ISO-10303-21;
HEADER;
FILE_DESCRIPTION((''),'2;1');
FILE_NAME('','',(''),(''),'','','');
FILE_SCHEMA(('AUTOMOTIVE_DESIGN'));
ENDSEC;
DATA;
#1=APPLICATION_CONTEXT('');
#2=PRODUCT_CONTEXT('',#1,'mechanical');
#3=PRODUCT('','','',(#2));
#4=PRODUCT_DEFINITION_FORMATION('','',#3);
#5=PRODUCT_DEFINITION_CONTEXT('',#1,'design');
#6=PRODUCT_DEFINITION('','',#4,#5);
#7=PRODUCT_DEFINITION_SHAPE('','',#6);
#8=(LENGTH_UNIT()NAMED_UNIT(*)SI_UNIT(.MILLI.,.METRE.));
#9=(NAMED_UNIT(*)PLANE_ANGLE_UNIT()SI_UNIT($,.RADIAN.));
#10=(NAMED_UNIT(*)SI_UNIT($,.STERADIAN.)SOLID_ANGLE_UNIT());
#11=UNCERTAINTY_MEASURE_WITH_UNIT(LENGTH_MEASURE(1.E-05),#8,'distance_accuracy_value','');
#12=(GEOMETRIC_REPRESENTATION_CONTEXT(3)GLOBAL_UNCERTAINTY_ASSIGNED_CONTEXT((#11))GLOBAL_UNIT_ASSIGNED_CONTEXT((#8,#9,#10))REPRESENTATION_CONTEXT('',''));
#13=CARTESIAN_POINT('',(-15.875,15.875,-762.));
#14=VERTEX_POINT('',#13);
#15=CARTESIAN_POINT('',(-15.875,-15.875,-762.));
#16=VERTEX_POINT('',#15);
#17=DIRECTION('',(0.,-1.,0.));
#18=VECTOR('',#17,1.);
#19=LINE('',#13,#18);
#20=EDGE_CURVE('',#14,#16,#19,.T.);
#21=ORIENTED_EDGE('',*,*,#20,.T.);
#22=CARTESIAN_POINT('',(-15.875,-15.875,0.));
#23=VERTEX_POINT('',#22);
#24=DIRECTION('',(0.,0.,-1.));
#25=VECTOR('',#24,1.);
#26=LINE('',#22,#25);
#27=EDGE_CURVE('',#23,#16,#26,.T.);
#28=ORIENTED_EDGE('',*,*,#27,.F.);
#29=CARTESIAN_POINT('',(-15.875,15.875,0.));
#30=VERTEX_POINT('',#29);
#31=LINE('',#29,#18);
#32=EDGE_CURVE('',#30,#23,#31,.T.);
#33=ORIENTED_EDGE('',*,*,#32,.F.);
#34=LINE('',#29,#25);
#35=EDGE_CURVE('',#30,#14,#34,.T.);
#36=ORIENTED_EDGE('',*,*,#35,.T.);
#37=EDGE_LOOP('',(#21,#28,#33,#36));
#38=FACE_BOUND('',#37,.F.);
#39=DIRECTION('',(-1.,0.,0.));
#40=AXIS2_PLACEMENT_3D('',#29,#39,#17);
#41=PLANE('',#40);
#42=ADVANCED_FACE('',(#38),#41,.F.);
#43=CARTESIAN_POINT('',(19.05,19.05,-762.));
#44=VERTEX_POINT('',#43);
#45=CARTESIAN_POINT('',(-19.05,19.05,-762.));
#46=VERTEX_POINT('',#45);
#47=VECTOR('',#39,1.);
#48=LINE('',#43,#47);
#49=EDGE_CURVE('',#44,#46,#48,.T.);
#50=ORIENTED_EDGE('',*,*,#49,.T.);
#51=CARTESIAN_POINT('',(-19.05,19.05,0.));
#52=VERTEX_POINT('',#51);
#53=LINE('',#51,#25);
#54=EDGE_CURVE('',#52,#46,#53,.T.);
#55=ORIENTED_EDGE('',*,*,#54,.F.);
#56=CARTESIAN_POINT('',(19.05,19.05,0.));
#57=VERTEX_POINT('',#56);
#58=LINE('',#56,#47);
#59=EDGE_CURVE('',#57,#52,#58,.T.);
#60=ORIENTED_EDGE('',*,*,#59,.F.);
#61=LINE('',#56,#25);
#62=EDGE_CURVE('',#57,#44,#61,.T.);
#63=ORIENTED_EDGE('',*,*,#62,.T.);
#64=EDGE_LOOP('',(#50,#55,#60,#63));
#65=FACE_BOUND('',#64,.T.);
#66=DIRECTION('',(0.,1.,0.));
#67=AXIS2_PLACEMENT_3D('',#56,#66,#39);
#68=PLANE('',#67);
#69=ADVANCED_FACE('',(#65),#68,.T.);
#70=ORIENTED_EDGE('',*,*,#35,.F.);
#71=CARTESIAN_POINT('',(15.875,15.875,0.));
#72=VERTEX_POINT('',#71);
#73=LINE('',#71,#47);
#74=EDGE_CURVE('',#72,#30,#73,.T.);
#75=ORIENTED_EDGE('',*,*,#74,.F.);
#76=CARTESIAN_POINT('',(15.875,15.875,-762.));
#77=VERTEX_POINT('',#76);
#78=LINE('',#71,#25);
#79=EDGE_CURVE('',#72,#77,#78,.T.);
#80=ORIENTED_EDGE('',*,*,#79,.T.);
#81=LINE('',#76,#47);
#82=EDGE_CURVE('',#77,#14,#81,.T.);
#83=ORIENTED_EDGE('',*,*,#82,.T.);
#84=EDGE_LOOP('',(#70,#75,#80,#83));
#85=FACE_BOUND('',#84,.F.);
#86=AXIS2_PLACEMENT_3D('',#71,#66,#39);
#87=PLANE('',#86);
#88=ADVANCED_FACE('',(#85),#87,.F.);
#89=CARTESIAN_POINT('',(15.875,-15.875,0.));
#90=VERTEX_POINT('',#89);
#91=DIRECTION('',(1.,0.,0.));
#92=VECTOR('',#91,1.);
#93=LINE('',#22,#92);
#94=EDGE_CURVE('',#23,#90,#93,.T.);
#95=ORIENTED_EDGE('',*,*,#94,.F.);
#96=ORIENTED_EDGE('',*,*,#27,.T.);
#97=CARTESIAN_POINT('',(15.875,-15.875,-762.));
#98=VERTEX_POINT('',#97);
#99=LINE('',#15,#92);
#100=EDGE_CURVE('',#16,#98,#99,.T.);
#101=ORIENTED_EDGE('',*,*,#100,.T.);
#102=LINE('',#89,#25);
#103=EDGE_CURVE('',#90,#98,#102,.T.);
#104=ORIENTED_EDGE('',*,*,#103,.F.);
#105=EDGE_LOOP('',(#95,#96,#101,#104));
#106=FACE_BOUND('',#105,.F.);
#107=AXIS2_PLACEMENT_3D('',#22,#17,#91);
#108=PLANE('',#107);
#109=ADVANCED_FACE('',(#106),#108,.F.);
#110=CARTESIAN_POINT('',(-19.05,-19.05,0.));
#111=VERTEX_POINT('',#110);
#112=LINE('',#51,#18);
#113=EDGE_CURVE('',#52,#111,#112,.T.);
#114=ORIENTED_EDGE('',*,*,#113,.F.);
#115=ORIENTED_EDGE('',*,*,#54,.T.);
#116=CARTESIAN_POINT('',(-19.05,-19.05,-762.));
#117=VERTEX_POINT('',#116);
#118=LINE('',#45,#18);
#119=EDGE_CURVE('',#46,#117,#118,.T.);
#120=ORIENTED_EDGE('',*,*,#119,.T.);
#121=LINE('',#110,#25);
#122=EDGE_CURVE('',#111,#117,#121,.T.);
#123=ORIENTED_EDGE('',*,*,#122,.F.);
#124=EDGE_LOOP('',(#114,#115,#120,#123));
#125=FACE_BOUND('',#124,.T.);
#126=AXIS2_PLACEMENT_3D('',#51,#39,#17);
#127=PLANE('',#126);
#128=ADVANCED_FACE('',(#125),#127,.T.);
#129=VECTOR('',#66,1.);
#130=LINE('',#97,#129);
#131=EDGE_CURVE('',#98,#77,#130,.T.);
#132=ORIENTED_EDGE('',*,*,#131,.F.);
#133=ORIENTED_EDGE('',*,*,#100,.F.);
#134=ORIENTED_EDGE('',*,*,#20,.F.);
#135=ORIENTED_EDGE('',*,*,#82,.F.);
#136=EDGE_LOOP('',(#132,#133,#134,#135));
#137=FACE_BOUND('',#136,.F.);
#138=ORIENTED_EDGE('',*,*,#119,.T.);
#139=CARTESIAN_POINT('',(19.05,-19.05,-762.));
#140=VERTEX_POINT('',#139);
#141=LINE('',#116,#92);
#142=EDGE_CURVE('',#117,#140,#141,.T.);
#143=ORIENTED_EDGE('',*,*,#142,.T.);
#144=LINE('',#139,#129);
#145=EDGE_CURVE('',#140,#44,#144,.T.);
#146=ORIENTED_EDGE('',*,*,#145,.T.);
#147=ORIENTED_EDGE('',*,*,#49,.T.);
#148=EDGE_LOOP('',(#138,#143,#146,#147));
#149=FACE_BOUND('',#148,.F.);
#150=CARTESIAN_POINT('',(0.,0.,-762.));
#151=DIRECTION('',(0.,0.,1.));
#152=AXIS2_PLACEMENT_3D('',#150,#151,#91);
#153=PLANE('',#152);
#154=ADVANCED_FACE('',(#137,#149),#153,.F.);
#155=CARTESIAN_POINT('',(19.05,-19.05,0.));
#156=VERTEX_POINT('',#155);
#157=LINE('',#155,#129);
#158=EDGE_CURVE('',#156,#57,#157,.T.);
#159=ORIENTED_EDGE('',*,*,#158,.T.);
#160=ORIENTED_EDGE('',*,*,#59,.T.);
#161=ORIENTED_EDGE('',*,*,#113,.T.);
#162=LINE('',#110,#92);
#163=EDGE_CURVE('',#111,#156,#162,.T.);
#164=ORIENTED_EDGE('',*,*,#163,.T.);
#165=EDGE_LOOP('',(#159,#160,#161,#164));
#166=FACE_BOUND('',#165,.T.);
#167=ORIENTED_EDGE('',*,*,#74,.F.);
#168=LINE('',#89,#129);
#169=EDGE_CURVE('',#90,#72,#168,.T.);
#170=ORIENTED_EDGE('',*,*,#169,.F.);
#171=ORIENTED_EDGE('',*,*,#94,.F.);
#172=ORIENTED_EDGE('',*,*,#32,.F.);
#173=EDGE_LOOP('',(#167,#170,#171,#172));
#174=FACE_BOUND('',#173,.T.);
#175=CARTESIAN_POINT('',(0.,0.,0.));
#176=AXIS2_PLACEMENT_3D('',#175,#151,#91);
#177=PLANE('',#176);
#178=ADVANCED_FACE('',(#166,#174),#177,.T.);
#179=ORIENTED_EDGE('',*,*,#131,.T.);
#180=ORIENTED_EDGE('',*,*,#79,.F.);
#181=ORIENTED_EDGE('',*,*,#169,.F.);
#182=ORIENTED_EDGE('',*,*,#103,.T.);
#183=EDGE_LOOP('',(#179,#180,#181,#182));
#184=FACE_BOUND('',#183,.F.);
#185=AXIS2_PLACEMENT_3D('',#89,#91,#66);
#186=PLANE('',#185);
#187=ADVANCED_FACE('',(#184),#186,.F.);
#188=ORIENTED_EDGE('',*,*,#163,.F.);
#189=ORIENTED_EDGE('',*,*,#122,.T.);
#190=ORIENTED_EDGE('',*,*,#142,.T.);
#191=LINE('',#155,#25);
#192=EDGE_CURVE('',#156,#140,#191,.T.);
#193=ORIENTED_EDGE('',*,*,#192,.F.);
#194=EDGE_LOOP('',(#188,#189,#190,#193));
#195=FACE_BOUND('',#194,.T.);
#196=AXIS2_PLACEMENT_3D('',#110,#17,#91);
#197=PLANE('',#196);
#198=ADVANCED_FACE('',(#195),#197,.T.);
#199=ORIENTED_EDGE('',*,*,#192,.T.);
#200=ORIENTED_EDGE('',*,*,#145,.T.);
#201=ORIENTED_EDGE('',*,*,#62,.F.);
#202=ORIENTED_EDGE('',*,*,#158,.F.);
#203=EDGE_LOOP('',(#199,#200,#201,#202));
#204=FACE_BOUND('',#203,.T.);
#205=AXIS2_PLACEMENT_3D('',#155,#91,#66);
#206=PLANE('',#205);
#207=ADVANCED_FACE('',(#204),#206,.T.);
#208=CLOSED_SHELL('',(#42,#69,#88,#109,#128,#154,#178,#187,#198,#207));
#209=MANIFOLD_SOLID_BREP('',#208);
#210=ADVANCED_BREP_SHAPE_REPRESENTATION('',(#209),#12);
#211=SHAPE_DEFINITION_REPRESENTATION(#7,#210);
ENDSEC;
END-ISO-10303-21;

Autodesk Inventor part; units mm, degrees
ref_plane "XZ Plane" through (0, 0, 0) normal (0, 1, 0) x (-1, 0, 0)
ref_plane "XY Plane" through (0, 0, 0) normal (0, 0, 1) x (1, 0, 0)
sketch "Sketch1" plane through (0, 0, 0) normal (0, 0, 1) x (1, 0, 0)
  line L0 (-19.05, -19.05) -> (19.05, -19.05)
  line L1 (19.05, -19.05) -> (19.05, 19.05)
  line L2 (19.05, 19.05) -> (-19.05, 19.05)
  line L3 (-19.05, 19.05) -> (-19.05, -19.05)
  line L4 (-19.05, -19.05) -> (19.05, 19.05) construction
  line L5 (19.05, -19.05) -> (-19.05, 19.05) construction
  line L6 (-15.875, -15.875) -> (15.875, -15.875)
  line L7 (15.875, -15.875) -> (15.875, 15.875)
  line L8 (15.875, 15.875) -> (-15.875, 15.875)
  line L9 (-15.875, 15.875) -> (-15.875, -15.875)
  line L10 (-15.875, -15.875) -> (15.875, 15.875) construction
  line L11 (15.875, -15.875) -> (-15.875, 15.875) construction
  point P0 (0, 0)
  dimension "d0" = 38.1
  dimension "d1" = 3.175
extrude "Extrusion1" add sketch "Sketch1" against normal blind 762
properties part number "1_5inSquareArmTube"
